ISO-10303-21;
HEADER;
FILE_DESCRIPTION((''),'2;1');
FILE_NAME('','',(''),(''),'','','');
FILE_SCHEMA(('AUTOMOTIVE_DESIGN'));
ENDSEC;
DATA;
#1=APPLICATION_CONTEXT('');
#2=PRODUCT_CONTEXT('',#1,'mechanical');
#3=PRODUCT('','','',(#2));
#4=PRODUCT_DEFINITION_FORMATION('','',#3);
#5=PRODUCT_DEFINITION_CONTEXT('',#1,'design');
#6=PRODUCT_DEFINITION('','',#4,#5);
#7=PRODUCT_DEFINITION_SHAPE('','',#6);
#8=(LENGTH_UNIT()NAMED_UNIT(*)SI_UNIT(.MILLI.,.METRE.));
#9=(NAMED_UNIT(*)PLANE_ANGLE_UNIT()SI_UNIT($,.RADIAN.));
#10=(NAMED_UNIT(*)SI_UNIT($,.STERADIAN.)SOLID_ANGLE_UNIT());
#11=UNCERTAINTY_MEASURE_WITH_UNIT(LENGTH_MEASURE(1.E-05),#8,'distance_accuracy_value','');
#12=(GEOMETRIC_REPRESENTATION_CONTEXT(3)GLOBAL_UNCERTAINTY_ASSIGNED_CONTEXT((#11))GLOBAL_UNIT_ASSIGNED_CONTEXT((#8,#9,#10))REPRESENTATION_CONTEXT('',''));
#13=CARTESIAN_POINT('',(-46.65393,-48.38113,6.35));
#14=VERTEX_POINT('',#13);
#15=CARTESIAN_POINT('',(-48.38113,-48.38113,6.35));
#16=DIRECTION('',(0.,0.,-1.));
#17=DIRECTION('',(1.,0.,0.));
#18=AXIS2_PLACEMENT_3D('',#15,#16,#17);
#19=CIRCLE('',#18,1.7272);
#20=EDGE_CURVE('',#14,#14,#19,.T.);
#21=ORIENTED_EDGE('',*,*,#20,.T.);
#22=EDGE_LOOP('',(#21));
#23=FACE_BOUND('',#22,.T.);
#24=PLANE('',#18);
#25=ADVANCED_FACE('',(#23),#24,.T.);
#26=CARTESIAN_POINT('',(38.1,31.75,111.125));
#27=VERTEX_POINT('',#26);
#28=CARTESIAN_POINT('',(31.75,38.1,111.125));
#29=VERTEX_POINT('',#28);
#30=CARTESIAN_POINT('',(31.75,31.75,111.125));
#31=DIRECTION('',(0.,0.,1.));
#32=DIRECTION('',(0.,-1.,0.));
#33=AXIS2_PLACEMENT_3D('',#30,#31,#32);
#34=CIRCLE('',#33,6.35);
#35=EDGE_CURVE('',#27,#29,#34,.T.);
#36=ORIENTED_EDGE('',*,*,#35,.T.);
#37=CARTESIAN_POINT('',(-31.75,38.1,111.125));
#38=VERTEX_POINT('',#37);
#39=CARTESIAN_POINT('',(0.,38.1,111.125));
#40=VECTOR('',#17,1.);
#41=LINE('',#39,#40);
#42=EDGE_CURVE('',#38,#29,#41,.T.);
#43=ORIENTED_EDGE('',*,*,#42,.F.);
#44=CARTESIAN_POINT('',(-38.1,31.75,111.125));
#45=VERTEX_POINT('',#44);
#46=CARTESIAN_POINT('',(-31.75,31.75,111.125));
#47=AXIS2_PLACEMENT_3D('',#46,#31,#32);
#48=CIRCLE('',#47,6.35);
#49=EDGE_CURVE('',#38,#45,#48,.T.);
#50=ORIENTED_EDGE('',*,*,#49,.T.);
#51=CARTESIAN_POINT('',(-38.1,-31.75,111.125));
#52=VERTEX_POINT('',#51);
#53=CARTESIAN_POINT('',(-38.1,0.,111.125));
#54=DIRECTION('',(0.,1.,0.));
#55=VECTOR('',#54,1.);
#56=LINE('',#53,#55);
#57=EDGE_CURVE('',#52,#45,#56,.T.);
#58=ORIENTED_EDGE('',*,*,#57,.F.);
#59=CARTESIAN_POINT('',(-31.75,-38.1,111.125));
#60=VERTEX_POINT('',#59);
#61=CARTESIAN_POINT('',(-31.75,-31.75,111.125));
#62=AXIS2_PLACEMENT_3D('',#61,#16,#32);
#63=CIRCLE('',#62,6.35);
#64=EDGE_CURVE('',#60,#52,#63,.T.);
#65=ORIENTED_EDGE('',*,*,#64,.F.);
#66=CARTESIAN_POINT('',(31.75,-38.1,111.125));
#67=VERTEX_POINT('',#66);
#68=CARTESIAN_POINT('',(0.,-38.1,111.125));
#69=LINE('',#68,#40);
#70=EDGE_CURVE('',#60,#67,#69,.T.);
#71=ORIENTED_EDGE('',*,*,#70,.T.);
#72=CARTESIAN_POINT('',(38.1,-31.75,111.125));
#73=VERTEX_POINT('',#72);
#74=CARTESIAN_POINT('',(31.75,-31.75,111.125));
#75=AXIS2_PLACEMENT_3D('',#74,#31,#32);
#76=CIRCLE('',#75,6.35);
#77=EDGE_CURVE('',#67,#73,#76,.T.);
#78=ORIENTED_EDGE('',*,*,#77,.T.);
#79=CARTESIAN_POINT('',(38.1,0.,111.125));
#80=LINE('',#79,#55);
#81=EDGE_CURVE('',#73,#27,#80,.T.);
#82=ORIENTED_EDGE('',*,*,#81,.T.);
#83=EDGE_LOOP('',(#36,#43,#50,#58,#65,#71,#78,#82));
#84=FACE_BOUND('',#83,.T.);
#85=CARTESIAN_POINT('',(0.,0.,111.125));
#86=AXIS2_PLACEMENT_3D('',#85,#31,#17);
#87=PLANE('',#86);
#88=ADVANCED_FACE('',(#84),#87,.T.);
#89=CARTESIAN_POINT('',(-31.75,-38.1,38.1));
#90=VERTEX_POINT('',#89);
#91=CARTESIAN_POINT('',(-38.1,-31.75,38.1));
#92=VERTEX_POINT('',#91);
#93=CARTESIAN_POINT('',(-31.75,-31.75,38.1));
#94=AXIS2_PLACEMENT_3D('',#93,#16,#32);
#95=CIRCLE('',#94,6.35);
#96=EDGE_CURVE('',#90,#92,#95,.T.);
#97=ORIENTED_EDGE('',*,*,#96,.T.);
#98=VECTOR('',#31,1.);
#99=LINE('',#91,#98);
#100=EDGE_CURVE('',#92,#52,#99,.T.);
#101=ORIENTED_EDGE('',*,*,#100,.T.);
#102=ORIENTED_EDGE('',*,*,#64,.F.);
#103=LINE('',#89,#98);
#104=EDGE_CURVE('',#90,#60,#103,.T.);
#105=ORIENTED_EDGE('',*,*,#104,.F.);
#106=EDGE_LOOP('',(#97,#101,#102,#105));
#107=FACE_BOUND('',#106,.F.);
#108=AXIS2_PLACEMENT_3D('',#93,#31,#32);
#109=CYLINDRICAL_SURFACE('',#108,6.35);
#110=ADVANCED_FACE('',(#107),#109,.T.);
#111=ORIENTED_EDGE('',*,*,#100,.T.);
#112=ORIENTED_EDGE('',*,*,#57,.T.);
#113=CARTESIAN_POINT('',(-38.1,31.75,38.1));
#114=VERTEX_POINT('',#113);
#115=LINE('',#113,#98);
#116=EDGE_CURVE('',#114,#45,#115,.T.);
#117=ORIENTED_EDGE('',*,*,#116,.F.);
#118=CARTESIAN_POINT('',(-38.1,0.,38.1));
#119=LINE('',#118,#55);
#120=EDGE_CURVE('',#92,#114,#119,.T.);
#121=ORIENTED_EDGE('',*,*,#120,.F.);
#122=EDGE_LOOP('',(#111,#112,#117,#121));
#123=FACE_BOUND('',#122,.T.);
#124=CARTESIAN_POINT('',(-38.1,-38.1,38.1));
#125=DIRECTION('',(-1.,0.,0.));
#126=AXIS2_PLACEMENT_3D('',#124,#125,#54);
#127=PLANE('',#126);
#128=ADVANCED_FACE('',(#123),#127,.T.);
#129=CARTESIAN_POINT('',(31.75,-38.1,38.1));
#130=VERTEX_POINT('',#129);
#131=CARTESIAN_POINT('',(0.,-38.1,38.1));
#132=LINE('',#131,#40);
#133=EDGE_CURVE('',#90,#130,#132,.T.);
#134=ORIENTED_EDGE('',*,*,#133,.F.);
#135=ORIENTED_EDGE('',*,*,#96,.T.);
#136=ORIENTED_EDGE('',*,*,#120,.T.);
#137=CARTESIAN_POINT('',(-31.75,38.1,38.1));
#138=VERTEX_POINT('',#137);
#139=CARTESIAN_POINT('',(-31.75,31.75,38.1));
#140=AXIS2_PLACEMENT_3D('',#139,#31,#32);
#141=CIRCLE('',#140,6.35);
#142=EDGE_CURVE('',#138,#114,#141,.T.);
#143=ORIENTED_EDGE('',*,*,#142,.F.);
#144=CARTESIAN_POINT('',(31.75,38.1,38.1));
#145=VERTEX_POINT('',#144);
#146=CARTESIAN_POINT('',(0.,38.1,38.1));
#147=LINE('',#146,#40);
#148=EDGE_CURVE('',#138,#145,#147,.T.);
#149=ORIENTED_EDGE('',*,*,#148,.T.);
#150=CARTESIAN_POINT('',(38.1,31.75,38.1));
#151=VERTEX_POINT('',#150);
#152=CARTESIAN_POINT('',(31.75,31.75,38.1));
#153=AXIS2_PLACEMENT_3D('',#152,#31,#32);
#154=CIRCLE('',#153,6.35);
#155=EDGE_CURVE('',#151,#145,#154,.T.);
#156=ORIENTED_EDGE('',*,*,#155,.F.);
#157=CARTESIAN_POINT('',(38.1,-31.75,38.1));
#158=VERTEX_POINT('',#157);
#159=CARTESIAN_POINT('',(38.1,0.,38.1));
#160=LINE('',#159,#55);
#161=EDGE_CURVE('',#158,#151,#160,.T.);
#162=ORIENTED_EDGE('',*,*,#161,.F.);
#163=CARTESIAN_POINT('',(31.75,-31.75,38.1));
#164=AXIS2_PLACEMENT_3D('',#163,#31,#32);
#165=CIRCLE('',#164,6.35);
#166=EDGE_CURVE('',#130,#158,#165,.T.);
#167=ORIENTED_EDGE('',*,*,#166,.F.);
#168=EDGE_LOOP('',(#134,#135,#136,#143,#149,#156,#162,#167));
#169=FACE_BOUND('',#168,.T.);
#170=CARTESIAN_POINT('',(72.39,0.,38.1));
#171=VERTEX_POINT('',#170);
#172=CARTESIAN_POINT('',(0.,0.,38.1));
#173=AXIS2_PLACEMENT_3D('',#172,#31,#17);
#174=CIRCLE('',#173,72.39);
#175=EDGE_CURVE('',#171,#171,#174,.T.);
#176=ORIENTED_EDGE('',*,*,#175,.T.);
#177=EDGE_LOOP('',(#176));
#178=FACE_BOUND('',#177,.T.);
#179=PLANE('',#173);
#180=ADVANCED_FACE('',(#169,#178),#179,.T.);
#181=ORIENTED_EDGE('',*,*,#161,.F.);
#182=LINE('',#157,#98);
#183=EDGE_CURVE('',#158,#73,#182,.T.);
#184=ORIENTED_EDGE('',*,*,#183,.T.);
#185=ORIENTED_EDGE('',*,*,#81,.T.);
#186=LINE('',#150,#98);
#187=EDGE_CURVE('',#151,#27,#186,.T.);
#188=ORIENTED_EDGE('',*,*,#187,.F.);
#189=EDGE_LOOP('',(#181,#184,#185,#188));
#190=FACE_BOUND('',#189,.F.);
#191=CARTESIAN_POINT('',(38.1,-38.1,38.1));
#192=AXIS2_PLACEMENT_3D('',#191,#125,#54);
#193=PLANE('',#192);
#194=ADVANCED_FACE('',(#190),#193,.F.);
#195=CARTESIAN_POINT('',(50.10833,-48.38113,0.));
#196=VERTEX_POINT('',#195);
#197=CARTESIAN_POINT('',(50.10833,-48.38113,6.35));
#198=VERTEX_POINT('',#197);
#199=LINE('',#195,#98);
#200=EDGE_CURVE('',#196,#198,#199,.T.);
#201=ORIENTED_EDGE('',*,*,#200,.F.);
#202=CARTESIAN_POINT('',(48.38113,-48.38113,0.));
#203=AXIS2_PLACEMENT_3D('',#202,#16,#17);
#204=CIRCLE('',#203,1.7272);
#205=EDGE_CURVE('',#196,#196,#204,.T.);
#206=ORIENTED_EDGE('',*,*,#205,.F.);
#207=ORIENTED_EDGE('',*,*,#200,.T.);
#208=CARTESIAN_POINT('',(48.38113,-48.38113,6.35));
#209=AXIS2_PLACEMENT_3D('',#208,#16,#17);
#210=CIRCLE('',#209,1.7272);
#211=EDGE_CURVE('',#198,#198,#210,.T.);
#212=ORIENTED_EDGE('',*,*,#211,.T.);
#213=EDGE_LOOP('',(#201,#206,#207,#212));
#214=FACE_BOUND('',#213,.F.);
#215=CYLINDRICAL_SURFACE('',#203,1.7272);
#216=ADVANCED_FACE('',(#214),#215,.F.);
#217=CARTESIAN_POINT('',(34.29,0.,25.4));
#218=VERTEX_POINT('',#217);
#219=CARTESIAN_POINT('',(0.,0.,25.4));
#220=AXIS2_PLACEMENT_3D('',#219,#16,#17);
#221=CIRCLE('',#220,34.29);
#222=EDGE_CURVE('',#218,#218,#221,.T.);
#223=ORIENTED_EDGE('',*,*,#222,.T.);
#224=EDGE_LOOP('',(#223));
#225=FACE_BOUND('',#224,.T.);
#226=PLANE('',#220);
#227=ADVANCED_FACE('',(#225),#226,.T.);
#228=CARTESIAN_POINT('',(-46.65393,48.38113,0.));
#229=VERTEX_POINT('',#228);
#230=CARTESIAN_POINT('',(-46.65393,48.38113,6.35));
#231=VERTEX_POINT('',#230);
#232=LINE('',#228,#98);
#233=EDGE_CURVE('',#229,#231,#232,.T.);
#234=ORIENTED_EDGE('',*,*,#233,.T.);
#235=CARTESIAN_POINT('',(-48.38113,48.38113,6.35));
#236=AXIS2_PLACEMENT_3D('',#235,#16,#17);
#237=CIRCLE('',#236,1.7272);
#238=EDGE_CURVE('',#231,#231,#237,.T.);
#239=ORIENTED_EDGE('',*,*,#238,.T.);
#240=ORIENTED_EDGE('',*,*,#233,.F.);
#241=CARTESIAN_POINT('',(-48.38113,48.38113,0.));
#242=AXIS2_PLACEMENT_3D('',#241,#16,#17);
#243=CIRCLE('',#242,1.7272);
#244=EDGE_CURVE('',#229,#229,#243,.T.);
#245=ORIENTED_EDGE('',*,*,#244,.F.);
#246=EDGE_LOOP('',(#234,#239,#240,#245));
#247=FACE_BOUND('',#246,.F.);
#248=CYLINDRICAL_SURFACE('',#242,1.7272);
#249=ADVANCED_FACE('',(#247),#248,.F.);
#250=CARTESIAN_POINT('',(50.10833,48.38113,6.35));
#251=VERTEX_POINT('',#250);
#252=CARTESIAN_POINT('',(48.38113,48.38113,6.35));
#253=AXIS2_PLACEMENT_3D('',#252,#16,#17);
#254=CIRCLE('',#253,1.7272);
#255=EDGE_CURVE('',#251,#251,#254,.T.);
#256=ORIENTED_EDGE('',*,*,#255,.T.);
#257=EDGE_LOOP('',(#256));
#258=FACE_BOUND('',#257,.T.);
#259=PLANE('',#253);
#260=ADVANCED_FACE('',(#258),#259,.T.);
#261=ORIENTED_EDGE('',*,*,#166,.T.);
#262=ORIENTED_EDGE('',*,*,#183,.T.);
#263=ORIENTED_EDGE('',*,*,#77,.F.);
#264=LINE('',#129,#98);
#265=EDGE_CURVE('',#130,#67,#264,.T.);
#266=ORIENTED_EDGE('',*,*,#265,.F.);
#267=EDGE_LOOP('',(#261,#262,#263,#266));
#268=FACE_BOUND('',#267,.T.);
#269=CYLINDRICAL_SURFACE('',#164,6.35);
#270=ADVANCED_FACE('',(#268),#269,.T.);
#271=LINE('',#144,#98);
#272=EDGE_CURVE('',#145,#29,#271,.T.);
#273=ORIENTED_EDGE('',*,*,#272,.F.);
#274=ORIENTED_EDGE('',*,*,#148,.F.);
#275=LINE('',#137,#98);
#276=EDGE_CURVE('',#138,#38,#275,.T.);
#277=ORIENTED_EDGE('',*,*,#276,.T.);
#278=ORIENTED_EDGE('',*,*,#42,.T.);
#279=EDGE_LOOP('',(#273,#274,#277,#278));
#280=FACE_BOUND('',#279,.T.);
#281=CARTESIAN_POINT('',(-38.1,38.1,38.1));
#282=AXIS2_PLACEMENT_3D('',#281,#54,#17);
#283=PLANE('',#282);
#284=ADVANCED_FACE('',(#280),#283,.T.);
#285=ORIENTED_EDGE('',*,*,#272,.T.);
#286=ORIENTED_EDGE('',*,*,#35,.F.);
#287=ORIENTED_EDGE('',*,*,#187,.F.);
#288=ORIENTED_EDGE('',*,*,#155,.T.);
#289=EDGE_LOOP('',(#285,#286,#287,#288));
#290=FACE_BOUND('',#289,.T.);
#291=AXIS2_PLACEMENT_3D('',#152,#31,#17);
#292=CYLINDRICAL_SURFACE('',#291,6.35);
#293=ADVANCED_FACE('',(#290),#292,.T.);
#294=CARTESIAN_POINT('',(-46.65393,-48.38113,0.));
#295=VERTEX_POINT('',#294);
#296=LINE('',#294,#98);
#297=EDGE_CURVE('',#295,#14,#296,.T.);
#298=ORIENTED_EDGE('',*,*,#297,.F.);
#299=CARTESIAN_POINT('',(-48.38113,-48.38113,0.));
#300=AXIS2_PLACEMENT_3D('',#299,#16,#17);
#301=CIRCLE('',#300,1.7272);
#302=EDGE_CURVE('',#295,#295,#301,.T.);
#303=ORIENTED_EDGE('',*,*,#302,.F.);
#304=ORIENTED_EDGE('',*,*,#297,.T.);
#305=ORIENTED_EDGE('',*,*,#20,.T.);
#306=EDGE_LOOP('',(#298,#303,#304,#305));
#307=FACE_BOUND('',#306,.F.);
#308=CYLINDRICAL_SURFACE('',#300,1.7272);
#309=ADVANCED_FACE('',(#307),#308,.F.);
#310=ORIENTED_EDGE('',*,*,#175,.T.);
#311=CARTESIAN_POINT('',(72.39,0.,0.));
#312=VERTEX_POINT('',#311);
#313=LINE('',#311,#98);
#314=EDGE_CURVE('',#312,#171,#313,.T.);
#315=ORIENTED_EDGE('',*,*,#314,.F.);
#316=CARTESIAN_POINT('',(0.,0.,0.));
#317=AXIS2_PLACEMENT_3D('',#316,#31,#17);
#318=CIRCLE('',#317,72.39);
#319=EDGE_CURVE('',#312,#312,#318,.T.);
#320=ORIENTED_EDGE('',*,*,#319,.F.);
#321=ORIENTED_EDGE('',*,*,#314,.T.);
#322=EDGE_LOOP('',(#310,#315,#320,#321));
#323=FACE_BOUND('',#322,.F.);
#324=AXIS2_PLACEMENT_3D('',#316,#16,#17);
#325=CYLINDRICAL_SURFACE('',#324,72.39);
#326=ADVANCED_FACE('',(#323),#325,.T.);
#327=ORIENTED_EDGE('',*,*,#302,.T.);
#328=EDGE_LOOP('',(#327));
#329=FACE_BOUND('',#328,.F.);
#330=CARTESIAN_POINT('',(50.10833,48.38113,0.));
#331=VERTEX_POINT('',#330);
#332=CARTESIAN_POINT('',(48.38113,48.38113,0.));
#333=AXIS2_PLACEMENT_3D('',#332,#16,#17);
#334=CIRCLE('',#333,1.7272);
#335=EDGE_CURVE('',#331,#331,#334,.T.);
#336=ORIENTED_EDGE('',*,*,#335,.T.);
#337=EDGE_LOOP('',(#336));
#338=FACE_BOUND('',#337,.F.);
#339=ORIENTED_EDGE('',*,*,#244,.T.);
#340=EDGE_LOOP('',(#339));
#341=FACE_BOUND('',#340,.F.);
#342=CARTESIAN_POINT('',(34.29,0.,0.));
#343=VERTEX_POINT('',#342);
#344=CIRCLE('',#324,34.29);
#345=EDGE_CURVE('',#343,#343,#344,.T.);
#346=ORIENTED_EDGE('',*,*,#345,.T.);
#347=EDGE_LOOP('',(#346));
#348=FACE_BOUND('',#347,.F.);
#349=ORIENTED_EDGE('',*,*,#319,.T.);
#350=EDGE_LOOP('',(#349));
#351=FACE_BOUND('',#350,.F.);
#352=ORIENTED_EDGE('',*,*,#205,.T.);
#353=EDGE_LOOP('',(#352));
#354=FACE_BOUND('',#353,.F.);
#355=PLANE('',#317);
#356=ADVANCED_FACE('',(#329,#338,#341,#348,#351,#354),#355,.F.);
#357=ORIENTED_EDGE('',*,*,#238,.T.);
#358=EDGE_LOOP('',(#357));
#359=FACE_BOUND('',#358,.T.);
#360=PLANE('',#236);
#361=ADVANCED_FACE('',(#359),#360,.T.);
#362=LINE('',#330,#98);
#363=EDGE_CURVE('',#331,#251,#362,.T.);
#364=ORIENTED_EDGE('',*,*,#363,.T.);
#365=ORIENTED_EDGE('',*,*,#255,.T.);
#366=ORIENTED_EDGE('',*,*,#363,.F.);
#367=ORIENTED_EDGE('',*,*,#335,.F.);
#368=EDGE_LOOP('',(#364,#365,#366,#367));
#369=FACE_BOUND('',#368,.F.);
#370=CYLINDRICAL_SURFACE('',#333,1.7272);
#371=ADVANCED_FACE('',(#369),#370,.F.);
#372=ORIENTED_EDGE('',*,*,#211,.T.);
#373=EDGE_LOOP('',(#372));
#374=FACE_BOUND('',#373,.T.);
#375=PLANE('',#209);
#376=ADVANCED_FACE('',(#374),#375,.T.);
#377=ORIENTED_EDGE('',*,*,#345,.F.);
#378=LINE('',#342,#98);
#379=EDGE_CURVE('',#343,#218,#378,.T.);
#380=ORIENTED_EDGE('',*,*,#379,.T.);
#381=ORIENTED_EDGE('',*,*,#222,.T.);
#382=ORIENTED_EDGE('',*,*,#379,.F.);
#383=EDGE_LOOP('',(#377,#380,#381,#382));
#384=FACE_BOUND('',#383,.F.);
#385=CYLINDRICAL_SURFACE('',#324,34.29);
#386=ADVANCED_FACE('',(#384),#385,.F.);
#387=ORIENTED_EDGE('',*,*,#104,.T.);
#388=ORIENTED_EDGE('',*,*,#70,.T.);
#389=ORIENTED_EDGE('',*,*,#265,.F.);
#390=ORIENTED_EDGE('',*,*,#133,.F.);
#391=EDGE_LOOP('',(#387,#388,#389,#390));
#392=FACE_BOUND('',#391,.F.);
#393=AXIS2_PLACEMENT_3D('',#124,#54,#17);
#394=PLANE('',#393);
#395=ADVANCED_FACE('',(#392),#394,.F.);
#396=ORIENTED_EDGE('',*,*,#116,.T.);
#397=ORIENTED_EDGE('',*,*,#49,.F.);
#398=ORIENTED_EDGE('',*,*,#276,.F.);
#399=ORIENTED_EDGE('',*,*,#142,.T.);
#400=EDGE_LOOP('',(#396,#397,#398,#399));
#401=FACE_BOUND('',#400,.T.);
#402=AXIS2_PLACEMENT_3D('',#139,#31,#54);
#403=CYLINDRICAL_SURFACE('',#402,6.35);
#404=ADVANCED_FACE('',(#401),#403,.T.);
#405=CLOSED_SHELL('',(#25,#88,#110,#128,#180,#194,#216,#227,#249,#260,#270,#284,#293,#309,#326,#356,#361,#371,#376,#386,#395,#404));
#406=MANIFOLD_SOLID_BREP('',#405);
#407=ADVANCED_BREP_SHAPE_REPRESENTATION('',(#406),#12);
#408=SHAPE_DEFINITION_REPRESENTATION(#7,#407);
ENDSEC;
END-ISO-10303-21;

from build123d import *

# Parameters (mm, degrees)
F0_R     = 72.39
F1_DEPTH = 38.1
F2_W     = 76.2
F2_H     = 76.2
F3_DEPTH = 73.025
F4_R     = 6.35
F5_R     = 1.7272
F6_DEPTH = 6.35
F7_R     = 34.29
F8_DEPTH = 25.4


with BuildPart() as f1:
    # F0 (on Top) → F1 (new body)
    with BuildSketch(Plane.XY):
        Circle(F0_R)
    extrude(amount=F1_DEPTH)

    # F2 (on face) → F3 (join)
    with BuildSketch(Plane.XY.offset(38.1)):
        Rectangle(F2_W, F2_H)
    extrude(amount=F3_DEPTH)

    # F4
    f4_edges = [f1.edges().sort_by_distance(p)[0] for p in [
        (-38.1, -38.1, 74.6125),
        (-38.1, 38.1, 74.6125),
        (38.1, -38.1, 74.6125),
        (38.1, 38.1, 74.6125),
    ]]
    fillet(f4_edges, radius=F4_R)

    # F5 (on face) → F6 (cut)
    with BuildSketch(Plane(origin=(0, 0, 0), x_dir=(1, 0, 0), z_dir=(0, 0, -1))):
        with Locations((-48.38113, 48.38113)):
            Circle(F5_R)
        with Locations((-48.38113, -48.38113)):
            Circle(F5_R)
        with Locations((48.38113, -48.38113)):
            Circle(F5_R)
        with Locations((48.38113, 48.38113)):
            Circle(F5_R)
    extrude(amount=-F6_DEPTH, mode=Mode.SUBTRACT)

    # F7 (on face) → F8 (cut)
    with BuildSketch(Plane(origin=(0, 0, 0), x_dir=(1, 0, 0), z_dir=(0, 0, -1))):
        Circle(F7_R)
    extrude(amount=-F8_DEPTH, mode=Mode.SUBTRACT)


solid = f1.part
